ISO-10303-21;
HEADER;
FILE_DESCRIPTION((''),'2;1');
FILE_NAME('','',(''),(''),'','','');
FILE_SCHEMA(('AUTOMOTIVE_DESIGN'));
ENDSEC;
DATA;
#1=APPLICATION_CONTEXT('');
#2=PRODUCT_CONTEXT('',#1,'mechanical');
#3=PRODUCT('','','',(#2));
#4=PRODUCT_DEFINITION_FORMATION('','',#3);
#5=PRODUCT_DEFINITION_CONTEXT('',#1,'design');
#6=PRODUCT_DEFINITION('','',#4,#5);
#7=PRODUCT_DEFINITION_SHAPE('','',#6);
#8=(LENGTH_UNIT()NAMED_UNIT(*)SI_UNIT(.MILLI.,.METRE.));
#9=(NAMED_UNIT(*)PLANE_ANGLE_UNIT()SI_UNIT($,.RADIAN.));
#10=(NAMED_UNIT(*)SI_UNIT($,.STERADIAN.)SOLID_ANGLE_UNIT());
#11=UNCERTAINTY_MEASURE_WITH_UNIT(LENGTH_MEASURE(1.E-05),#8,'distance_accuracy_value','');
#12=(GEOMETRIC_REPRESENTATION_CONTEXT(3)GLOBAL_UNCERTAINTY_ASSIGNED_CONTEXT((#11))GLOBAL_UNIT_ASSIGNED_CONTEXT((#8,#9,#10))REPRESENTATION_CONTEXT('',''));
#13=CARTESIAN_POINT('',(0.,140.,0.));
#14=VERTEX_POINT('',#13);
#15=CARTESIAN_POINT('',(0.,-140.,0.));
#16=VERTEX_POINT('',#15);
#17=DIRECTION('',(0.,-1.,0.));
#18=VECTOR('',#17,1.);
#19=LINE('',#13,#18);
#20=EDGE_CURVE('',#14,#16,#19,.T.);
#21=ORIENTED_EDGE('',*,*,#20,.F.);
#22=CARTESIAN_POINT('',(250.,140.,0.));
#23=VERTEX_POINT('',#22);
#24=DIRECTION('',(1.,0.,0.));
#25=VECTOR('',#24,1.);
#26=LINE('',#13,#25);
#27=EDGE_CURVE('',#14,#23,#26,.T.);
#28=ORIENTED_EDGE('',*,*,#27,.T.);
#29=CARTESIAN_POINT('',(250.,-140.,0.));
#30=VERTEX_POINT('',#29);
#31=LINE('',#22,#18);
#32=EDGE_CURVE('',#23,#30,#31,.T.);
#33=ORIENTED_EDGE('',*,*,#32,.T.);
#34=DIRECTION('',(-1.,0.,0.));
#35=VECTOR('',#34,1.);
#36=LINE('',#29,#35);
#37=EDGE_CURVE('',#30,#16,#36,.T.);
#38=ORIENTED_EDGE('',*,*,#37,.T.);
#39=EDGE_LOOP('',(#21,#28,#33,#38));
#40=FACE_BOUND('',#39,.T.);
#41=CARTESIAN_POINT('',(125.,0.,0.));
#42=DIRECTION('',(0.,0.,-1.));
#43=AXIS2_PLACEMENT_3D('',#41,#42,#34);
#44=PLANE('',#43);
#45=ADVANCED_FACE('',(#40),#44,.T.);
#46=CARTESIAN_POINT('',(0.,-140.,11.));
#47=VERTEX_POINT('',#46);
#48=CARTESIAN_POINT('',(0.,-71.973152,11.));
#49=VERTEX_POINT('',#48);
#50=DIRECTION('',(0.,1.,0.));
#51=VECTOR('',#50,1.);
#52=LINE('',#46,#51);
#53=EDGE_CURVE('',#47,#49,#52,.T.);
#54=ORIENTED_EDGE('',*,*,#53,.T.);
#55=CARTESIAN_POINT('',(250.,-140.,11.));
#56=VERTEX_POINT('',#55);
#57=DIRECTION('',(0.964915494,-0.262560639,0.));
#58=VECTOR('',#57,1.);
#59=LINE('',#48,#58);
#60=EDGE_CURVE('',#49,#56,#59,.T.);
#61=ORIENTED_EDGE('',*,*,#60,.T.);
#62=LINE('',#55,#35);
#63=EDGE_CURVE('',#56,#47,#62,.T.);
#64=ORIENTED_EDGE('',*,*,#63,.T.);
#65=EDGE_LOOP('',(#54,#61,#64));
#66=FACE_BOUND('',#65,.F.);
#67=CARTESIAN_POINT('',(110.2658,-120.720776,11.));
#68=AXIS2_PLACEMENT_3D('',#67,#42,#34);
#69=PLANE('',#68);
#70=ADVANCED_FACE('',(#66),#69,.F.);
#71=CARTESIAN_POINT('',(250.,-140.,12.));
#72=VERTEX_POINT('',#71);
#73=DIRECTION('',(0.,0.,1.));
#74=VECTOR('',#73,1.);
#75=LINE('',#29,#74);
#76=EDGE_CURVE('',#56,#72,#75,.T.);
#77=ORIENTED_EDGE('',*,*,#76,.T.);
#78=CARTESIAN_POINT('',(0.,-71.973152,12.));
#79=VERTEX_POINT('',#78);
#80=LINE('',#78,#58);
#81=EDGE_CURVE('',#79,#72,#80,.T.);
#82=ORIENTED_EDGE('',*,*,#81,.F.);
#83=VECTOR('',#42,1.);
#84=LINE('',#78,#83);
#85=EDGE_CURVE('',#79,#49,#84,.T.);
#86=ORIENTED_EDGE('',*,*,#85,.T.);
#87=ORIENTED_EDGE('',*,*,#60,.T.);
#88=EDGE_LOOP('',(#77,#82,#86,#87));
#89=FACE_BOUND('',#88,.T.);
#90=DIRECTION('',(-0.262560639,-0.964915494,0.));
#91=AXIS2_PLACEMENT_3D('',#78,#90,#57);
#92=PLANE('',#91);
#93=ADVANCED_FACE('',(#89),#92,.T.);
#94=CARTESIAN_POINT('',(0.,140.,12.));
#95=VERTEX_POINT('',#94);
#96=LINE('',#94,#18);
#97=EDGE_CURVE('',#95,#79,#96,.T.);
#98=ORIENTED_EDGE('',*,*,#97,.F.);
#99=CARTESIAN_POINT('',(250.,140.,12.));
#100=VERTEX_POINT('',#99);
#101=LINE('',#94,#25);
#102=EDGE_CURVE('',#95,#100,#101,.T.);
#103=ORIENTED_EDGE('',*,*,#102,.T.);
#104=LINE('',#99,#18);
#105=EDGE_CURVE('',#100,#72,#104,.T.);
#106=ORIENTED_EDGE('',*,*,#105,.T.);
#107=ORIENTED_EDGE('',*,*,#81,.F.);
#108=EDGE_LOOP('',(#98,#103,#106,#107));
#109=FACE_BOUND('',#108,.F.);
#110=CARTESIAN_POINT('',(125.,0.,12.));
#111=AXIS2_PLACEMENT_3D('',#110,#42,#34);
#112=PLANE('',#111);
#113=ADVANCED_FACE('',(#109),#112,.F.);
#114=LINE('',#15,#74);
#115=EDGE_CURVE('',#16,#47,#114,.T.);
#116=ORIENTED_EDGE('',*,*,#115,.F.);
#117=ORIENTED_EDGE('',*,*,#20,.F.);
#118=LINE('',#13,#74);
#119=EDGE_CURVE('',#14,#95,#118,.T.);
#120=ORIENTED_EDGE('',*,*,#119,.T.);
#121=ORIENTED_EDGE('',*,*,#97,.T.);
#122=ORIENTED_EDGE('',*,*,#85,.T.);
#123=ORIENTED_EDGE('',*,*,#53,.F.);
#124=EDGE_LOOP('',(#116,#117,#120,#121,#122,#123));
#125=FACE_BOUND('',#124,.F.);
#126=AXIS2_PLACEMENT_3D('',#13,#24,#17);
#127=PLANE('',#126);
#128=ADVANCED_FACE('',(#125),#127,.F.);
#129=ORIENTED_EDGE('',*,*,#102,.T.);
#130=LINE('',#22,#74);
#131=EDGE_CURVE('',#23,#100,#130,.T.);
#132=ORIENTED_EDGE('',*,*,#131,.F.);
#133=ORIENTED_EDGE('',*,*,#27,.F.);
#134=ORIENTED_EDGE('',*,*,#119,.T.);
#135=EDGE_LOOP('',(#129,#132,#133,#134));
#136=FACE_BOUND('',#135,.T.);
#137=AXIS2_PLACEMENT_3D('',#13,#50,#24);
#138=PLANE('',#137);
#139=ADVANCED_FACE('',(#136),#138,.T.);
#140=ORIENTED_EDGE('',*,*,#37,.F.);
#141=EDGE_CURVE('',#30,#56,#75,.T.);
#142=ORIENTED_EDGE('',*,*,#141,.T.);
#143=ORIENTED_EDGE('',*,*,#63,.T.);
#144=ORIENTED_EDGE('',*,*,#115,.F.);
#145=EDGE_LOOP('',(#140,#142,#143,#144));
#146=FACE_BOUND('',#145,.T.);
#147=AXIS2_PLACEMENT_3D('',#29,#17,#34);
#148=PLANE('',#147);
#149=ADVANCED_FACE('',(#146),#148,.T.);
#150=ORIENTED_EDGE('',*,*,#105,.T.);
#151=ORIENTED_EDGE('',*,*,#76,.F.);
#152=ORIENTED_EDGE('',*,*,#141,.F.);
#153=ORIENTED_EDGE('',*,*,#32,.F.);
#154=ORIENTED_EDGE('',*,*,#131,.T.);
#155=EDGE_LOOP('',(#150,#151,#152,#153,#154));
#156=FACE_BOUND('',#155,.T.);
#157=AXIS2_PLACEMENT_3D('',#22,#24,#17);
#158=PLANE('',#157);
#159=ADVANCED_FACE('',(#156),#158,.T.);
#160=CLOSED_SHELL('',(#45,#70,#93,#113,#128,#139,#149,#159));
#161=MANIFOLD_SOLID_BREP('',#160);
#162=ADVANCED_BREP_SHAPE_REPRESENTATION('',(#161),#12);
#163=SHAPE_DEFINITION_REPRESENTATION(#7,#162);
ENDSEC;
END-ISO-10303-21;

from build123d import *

# Parameters (mm, degrees)
PAD_DEPTH    = 12
POCKET_DEPTH = 1


with BuildPart() as part:
    # Sketch → Pad (new body)
    with BuildSketch(Plane.XY):
        Polygon((0, 0), (0, 140), (250, 140), (250, -140), (0, -140), align=None)
    extrude(amount=PAD_DEPTH)

    # Sketch002 (on Face7 of Pad) → Pocket (cut)
    with BuildSketch(Plane.XY.offset(12)):
        Polygon((0, -140), (0, -71.973152), (250, -140), align=None)
    extrude(amount=-POCKET_DEPTH, mode=Mode.SUBTRACT)


solid = part.part
